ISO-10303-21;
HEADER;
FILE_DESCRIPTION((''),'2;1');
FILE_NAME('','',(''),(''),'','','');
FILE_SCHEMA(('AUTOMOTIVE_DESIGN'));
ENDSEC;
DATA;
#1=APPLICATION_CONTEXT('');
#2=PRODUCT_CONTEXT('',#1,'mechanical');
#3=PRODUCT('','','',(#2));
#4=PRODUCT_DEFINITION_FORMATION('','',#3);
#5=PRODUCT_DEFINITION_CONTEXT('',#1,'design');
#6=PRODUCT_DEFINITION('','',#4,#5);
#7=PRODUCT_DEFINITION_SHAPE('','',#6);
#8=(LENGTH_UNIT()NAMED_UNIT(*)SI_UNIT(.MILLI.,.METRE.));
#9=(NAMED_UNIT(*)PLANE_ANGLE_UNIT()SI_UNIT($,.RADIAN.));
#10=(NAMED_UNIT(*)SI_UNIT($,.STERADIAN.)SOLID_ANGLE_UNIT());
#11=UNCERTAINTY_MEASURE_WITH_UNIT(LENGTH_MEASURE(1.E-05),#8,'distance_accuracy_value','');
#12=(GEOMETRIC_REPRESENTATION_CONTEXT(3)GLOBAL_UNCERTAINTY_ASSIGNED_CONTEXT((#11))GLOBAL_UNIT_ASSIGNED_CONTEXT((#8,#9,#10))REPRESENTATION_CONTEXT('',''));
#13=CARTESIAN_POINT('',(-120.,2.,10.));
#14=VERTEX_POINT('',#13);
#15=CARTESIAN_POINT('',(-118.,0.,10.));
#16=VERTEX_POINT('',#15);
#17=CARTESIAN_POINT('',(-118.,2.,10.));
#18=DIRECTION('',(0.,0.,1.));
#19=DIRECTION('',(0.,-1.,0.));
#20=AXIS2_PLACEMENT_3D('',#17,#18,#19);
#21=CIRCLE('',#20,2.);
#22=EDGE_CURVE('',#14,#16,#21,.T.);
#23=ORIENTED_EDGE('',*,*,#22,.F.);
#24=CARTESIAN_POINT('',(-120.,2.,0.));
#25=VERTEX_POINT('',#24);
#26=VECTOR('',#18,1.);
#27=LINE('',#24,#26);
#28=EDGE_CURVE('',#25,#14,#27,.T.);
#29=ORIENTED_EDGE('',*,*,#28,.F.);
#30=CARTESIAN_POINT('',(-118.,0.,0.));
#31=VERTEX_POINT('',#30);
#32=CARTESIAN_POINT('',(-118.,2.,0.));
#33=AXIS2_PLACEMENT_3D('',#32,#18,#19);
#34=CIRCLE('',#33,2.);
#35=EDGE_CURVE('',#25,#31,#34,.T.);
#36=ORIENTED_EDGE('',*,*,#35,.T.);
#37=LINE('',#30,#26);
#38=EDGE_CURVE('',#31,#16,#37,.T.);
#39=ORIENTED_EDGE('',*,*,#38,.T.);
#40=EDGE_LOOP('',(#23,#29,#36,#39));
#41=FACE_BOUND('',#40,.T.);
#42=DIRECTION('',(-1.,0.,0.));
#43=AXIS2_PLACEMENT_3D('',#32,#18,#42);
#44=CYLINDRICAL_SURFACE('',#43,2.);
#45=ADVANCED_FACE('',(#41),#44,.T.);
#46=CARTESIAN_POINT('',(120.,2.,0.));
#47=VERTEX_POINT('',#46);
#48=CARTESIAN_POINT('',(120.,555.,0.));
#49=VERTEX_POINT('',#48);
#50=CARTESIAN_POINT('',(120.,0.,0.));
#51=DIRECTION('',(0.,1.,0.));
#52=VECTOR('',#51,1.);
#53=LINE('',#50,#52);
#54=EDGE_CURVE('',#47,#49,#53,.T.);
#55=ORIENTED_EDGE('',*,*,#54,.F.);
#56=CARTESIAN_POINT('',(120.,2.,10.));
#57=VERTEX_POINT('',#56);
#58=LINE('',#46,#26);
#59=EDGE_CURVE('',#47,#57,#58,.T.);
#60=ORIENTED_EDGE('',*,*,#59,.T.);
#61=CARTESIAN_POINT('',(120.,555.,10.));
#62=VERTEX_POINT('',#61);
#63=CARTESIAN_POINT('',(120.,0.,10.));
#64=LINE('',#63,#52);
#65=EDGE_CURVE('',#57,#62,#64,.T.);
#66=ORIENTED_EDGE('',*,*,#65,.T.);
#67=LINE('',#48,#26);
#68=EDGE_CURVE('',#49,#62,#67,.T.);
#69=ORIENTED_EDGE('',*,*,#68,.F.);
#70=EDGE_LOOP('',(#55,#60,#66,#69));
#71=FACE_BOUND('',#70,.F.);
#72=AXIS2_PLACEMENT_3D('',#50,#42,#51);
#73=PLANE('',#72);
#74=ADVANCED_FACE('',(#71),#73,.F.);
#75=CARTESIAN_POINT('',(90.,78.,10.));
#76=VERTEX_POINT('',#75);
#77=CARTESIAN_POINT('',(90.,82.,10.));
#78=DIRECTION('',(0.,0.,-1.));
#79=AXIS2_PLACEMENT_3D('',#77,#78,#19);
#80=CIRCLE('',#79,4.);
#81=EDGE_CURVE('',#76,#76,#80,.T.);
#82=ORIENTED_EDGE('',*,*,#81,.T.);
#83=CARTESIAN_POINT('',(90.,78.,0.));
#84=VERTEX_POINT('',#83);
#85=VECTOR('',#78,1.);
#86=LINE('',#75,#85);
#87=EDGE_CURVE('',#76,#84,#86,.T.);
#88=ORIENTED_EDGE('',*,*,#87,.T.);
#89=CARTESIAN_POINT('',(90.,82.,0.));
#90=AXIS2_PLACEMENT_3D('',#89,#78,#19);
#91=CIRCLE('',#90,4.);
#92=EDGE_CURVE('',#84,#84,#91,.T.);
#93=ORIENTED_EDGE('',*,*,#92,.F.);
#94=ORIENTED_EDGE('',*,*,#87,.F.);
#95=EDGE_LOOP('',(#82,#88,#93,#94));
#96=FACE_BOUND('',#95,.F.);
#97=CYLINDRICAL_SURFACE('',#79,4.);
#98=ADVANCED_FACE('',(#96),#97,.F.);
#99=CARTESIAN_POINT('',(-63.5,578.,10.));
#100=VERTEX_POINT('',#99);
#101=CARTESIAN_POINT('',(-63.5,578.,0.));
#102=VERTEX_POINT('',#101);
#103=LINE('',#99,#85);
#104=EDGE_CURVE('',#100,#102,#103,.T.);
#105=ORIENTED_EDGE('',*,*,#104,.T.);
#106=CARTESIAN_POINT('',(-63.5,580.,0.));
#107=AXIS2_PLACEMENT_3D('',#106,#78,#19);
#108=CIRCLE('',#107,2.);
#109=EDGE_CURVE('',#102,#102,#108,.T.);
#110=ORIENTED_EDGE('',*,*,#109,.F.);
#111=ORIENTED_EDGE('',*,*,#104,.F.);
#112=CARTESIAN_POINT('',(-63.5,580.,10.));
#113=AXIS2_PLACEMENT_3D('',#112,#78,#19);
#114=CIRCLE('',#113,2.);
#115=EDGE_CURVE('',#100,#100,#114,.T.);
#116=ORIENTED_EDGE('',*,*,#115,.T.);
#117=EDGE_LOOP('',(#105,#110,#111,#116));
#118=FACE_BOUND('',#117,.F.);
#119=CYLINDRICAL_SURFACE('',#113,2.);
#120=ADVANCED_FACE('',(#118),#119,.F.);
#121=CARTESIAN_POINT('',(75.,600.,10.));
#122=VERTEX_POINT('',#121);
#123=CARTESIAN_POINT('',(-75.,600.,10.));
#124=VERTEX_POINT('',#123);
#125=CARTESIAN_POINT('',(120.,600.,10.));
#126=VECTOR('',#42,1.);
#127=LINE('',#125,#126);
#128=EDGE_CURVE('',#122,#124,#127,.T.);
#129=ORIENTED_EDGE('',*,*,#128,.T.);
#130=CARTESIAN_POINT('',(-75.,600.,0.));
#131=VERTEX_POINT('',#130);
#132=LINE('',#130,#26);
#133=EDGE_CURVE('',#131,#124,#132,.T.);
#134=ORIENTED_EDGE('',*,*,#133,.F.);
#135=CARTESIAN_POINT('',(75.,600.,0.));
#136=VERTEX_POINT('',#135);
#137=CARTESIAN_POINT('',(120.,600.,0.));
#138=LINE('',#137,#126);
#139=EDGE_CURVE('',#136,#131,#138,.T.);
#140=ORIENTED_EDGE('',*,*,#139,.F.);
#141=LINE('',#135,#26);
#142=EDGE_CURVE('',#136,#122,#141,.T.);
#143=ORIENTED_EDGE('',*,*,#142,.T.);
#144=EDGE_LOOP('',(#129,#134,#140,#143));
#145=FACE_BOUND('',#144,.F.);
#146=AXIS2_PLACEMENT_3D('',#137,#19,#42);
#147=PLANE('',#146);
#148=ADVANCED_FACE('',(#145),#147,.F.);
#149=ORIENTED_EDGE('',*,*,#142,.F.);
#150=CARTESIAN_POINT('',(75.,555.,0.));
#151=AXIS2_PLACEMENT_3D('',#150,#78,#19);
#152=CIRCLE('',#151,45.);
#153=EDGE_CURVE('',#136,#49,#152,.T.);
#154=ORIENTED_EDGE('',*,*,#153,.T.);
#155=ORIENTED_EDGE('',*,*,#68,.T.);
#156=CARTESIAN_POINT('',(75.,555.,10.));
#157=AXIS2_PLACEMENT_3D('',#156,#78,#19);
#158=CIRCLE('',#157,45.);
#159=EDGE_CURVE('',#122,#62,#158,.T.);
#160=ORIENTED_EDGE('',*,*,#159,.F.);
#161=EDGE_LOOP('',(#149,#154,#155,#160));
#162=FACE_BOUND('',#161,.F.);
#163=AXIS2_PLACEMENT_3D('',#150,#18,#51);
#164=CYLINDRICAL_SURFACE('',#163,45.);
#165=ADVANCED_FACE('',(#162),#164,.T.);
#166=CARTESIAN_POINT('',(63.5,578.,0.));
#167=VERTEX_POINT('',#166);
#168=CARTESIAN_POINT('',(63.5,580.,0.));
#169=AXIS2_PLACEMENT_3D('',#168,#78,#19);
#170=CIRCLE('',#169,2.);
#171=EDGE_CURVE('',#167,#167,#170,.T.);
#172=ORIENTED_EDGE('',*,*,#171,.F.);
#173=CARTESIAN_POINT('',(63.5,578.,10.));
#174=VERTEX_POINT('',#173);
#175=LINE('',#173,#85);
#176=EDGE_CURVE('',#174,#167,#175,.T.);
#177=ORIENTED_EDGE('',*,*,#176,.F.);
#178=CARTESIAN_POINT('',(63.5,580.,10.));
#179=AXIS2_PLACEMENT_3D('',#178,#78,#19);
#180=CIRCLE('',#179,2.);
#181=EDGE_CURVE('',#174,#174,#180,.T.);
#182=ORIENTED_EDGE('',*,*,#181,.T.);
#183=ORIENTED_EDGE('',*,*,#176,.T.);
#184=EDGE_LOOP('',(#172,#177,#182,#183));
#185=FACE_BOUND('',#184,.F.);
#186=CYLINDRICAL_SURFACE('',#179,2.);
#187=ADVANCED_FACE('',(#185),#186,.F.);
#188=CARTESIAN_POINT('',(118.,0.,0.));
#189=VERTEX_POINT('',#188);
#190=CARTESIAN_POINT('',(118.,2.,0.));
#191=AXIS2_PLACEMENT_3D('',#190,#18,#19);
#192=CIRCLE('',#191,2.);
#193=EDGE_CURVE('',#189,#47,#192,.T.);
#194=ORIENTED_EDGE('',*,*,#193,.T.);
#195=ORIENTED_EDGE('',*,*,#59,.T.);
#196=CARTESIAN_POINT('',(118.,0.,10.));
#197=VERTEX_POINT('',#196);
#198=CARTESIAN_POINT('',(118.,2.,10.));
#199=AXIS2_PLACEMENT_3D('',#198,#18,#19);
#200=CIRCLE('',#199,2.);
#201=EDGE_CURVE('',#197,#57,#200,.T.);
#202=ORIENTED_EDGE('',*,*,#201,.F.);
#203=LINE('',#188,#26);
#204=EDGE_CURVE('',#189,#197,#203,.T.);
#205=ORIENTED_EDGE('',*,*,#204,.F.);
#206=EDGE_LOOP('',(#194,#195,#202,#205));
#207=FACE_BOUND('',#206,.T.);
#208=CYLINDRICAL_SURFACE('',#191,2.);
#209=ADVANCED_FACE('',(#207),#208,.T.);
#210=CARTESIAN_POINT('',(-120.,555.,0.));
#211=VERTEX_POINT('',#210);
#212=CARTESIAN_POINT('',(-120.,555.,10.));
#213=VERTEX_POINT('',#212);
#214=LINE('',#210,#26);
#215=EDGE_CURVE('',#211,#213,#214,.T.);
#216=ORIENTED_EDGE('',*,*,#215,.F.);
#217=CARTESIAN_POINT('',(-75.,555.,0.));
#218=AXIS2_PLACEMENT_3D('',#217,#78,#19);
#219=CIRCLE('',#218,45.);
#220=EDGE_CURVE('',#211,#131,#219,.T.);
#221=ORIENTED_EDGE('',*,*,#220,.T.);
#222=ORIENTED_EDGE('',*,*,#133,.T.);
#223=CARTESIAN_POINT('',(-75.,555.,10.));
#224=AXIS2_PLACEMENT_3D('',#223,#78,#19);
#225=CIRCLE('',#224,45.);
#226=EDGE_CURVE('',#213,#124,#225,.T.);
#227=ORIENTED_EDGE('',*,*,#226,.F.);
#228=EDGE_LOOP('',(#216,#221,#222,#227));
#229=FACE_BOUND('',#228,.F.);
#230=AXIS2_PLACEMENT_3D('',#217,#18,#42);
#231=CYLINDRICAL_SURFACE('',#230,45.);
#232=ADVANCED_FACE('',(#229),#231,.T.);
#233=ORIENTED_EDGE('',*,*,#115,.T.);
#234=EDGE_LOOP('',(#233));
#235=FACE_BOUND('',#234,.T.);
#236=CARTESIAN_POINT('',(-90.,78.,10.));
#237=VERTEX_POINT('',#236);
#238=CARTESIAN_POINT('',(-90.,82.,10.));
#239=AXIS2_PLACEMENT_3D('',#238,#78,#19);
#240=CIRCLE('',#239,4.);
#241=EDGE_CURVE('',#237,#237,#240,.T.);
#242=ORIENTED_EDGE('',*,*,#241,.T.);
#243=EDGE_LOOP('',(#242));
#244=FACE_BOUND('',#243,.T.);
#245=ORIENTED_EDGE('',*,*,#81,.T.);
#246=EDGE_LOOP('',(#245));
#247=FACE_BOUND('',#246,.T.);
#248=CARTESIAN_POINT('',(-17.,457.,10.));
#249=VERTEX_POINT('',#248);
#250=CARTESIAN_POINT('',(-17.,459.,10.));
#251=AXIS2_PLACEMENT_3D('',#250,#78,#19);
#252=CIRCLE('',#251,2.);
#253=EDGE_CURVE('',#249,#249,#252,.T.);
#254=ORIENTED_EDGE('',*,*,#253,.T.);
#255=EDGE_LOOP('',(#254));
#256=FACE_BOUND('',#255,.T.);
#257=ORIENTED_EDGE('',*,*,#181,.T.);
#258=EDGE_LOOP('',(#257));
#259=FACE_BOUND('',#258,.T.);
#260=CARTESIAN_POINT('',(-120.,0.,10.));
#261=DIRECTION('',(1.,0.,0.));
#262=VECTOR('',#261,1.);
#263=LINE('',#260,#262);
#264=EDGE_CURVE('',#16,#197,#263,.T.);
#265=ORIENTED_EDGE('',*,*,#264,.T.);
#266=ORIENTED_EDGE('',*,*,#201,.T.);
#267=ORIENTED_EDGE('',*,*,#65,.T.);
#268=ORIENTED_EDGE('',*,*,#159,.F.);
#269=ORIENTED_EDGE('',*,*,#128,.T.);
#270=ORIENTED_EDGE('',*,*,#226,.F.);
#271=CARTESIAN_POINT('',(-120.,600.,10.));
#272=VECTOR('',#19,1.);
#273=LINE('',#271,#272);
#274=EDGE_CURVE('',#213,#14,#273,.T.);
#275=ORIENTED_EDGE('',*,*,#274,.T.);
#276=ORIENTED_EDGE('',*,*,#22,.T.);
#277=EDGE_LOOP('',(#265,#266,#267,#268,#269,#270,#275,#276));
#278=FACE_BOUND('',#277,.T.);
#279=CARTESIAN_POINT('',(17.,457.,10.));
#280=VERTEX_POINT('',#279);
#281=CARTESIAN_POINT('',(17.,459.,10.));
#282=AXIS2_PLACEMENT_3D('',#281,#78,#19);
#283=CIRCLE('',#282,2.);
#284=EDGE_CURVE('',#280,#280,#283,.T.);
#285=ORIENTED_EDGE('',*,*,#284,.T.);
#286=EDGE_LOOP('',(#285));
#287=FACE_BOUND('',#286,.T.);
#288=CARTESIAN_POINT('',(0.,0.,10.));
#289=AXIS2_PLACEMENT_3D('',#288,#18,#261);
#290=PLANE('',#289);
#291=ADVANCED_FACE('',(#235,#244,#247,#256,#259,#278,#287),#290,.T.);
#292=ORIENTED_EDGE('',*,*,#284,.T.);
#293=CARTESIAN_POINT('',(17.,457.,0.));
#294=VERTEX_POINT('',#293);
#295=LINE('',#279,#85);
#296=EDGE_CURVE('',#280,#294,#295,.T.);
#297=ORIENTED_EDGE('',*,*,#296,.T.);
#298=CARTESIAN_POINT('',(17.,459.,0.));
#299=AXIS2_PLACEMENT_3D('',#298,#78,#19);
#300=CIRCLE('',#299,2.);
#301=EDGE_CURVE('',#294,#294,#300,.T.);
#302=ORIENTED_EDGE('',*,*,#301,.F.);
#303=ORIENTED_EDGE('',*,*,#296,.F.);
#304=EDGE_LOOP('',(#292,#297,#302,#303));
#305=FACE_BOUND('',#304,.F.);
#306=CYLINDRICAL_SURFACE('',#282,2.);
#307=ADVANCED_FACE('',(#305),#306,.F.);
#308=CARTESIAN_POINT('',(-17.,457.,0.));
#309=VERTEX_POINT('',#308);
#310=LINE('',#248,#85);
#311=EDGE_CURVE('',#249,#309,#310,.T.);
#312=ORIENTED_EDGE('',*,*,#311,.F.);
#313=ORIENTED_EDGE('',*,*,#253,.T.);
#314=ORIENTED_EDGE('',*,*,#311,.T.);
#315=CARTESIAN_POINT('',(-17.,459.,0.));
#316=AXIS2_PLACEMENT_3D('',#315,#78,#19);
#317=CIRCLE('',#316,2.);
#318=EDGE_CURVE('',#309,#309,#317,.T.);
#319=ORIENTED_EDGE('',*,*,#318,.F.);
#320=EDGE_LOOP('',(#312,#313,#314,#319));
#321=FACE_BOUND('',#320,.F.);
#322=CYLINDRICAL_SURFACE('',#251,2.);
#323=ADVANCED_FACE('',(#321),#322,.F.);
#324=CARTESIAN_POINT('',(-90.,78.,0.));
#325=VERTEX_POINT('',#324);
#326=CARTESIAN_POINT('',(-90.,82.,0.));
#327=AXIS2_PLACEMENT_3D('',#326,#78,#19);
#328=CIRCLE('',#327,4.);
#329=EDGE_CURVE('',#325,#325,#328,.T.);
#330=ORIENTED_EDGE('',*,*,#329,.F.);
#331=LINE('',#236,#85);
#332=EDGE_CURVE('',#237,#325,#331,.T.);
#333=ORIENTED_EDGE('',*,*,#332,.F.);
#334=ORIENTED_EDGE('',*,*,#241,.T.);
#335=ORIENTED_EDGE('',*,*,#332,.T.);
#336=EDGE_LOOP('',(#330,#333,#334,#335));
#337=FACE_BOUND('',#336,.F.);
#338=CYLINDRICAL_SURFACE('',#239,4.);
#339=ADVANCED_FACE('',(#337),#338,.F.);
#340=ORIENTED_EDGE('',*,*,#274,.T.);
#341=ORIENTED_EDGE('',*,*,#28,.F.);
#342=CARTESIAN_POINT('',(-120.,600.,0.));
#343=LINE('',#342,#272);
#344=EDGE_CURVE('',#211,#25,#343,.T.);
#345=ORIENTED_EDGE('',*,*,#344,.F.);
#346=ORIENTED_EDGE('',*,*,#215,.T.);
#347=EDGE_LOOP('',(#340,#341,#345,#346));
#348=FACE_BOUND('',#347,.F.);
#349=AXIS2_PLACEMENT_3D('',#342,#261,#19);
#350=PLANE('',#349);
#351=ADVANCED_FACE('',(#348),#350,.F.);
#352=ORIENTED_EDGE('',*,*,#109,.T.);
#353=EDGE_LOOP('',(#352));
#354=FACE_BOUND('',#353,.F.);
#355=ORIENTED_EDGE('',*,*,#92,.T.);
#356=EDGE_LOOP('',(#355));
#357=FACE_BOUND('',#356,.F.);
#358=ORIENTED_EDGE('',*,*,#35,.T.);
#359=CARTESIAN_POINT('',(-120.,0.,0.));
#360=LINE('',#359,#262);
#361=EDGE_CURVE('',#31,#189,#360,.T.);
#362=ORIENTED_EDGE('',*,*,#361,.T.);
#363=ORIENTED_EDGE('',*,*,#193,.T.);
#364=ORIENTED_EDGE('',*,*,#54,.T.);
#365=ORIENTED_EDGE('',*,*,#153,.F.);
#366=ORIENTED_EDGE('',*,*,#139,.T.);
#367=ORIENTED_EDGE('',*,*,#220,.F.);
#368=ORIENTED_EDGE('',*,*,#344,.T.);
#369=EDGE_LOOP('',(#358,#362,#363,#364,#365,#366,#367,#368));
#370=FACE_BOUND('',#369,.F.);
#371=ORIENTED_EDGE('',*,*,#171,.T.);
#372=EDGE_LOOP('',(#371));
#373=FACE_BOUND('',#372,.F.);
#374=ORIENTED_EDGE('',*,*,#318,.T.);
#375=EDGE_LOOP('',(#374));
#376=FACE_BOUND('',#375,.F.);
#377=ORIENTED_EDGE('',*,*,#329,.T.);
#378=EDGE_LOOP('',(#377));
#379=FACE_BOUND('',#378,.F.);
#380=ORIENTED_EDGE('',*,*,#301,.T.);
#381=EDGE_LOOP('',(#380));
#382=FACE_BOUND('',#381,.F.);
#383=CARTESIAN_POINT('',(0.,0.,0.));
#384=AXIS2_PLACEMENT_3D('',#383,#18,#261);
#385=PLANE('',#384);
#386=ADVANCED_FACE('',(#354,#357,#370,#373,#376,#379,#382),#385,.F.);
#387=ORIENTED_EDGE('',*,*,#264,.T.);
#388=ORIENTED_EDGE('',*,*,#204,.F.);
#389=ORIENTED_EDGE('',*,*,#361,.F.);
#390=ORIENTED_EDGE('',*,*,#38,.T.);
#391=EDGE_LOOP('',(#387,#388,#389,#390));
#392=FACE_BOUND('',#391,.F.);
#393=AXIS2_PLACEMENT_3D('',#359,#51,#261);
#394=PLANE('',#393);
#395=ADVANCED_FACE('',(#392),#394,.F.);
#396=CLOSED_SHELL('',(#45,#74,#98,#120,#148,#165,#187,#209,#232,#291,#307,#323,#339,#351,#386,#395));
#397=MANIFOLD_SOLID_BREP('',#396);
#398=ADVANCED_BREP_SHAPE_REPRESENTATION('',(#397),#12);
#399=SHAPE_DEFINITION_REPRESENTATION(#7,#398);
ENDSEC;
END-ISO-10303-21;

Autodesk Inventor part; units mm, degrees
ref_plane "YZ Plane" through (0, 0, 0) normal (1, 0, 0) x (0, 1, 0)
ref_plane "XZ Plane" through (0, 0, 0) normal (0, 1, 0) x (-1, 0, 0)
ref_plane "XY Plane" through (0, 0, 0) normal (0, 0, 1) x (1, 0, 0)
sketch "Sketch1" plane through (0, 0, 0) normal (0, 0, 1) x (1, 0, 0)
  line L0 (-120, 0) -> (120, 0)
  line L1 (120, 0) -> (120, 600)
  line L2 (120, 600) -> (-120, 600)
  line L3 (-120, 600) -> (-120, 0)
  point P0 (0, 0)
  dimension "d0" = 600
  dimension "d1" = 240
  dimension "d2" = 120
extrude "Extrusion1" add sketch "Sketch1" along normal blind 10
fillet "Fillet1" radius 45 2 edges at (120, 600, 5) (-120, 600, 5)
sketch "Sketch2" plane through (0, 0, 10) normal (0, 0, 1) x (1, 0, 0)
  line L0 (-120, 555) -> (-120, 0) projected
  line L1 (120, 0) -> (120, 555) projected
  line L2 (-120, 0) -> (120, 0) projected
  point P0 (0, 0)
  point P1 (-90, 82)
  point P2 (90, 82)
  dimension "d8" = 82
  dimension "d9" = 82
  dimension "d17" = 90
  dimension "d18" = 90
hole "Hole1" at (-90, 82, 10) at (90, 82, 10) direction (0, 0, -1) diameter 8 depth 60
sketch "Sketch3" plane through (0, 0, 10) normal (0, 0, 1) x (1, 0, 0)
  line L0 (75, 600) -> (-75, 600) projected
  point P0 (0, 0)
  point P1 (-63.5, 580)
  point P2 (63.5, 580)
  point P3 (-17, 459)
  point P4 (17, 459)
  dimension "d19" = 17
  dimension "d20" = 17
  dimension "d21" = 63.5
  dimension "d22" = 63.5
  dimension "d23" = 20
  dimension "d24" = 20
  dimension "d25" = 121
  dimension "d26" = 121
hole "Hole2" at (17, 459, 10) at (-17, 459, 10) at (63.5, 580, 10) at (-63.5, 580, 10) direction (0, 0, -1) diameter 4 end through all
fillet "Fillet2" radius 2 2 edges at (-120, 0, 5) (120, 0, 5)
equation "\"d0\" = partHeight"
equation "\"d1\" = partWidth"
equation "\"d2\" = 0.5 * partWidth"
equation "\"d3\" = thickness"
equation "\"d8\" = holeHeight"
equation "\"d9\" = holeHeight"
equation "\"d17\" = 0.5 * ribThickness + 0.5 * ribSpacing"
equation "\"d18\" = 0.5 * ribThickness + 0.5 * ribSpacing"
equation "\"d19\" = 0.5 * lowerHoleSpacing"
equation "\"d20\" = 0.5 * lowerHoleSpacing"
equation "\"d21\" = 0.5 * upperHoleSpacing"
equation "\"d22\" = 0.5 * upperHoleSpacing"
equation "\"d24\" = d23"
equation "\"d26\" = d25"
equation "\"d27\" = mountHoleDiameter"
equation "\"partWidth\" = 240"
equation "\"partHeight\" = 600"
equation "\"thickness\" = 10"
equation "\"holeHeight\" = 82"
equation "\"upperHoleSpacing\" = 127"
equation "\"lowerHoleSpacing\" = 34"
equation "\"mountHoleDiameter\" = 4"
equation "\"ribThickness\" = 20"
equation "\"ribSpacing\" = 160"
properties part number "mountPlate"
